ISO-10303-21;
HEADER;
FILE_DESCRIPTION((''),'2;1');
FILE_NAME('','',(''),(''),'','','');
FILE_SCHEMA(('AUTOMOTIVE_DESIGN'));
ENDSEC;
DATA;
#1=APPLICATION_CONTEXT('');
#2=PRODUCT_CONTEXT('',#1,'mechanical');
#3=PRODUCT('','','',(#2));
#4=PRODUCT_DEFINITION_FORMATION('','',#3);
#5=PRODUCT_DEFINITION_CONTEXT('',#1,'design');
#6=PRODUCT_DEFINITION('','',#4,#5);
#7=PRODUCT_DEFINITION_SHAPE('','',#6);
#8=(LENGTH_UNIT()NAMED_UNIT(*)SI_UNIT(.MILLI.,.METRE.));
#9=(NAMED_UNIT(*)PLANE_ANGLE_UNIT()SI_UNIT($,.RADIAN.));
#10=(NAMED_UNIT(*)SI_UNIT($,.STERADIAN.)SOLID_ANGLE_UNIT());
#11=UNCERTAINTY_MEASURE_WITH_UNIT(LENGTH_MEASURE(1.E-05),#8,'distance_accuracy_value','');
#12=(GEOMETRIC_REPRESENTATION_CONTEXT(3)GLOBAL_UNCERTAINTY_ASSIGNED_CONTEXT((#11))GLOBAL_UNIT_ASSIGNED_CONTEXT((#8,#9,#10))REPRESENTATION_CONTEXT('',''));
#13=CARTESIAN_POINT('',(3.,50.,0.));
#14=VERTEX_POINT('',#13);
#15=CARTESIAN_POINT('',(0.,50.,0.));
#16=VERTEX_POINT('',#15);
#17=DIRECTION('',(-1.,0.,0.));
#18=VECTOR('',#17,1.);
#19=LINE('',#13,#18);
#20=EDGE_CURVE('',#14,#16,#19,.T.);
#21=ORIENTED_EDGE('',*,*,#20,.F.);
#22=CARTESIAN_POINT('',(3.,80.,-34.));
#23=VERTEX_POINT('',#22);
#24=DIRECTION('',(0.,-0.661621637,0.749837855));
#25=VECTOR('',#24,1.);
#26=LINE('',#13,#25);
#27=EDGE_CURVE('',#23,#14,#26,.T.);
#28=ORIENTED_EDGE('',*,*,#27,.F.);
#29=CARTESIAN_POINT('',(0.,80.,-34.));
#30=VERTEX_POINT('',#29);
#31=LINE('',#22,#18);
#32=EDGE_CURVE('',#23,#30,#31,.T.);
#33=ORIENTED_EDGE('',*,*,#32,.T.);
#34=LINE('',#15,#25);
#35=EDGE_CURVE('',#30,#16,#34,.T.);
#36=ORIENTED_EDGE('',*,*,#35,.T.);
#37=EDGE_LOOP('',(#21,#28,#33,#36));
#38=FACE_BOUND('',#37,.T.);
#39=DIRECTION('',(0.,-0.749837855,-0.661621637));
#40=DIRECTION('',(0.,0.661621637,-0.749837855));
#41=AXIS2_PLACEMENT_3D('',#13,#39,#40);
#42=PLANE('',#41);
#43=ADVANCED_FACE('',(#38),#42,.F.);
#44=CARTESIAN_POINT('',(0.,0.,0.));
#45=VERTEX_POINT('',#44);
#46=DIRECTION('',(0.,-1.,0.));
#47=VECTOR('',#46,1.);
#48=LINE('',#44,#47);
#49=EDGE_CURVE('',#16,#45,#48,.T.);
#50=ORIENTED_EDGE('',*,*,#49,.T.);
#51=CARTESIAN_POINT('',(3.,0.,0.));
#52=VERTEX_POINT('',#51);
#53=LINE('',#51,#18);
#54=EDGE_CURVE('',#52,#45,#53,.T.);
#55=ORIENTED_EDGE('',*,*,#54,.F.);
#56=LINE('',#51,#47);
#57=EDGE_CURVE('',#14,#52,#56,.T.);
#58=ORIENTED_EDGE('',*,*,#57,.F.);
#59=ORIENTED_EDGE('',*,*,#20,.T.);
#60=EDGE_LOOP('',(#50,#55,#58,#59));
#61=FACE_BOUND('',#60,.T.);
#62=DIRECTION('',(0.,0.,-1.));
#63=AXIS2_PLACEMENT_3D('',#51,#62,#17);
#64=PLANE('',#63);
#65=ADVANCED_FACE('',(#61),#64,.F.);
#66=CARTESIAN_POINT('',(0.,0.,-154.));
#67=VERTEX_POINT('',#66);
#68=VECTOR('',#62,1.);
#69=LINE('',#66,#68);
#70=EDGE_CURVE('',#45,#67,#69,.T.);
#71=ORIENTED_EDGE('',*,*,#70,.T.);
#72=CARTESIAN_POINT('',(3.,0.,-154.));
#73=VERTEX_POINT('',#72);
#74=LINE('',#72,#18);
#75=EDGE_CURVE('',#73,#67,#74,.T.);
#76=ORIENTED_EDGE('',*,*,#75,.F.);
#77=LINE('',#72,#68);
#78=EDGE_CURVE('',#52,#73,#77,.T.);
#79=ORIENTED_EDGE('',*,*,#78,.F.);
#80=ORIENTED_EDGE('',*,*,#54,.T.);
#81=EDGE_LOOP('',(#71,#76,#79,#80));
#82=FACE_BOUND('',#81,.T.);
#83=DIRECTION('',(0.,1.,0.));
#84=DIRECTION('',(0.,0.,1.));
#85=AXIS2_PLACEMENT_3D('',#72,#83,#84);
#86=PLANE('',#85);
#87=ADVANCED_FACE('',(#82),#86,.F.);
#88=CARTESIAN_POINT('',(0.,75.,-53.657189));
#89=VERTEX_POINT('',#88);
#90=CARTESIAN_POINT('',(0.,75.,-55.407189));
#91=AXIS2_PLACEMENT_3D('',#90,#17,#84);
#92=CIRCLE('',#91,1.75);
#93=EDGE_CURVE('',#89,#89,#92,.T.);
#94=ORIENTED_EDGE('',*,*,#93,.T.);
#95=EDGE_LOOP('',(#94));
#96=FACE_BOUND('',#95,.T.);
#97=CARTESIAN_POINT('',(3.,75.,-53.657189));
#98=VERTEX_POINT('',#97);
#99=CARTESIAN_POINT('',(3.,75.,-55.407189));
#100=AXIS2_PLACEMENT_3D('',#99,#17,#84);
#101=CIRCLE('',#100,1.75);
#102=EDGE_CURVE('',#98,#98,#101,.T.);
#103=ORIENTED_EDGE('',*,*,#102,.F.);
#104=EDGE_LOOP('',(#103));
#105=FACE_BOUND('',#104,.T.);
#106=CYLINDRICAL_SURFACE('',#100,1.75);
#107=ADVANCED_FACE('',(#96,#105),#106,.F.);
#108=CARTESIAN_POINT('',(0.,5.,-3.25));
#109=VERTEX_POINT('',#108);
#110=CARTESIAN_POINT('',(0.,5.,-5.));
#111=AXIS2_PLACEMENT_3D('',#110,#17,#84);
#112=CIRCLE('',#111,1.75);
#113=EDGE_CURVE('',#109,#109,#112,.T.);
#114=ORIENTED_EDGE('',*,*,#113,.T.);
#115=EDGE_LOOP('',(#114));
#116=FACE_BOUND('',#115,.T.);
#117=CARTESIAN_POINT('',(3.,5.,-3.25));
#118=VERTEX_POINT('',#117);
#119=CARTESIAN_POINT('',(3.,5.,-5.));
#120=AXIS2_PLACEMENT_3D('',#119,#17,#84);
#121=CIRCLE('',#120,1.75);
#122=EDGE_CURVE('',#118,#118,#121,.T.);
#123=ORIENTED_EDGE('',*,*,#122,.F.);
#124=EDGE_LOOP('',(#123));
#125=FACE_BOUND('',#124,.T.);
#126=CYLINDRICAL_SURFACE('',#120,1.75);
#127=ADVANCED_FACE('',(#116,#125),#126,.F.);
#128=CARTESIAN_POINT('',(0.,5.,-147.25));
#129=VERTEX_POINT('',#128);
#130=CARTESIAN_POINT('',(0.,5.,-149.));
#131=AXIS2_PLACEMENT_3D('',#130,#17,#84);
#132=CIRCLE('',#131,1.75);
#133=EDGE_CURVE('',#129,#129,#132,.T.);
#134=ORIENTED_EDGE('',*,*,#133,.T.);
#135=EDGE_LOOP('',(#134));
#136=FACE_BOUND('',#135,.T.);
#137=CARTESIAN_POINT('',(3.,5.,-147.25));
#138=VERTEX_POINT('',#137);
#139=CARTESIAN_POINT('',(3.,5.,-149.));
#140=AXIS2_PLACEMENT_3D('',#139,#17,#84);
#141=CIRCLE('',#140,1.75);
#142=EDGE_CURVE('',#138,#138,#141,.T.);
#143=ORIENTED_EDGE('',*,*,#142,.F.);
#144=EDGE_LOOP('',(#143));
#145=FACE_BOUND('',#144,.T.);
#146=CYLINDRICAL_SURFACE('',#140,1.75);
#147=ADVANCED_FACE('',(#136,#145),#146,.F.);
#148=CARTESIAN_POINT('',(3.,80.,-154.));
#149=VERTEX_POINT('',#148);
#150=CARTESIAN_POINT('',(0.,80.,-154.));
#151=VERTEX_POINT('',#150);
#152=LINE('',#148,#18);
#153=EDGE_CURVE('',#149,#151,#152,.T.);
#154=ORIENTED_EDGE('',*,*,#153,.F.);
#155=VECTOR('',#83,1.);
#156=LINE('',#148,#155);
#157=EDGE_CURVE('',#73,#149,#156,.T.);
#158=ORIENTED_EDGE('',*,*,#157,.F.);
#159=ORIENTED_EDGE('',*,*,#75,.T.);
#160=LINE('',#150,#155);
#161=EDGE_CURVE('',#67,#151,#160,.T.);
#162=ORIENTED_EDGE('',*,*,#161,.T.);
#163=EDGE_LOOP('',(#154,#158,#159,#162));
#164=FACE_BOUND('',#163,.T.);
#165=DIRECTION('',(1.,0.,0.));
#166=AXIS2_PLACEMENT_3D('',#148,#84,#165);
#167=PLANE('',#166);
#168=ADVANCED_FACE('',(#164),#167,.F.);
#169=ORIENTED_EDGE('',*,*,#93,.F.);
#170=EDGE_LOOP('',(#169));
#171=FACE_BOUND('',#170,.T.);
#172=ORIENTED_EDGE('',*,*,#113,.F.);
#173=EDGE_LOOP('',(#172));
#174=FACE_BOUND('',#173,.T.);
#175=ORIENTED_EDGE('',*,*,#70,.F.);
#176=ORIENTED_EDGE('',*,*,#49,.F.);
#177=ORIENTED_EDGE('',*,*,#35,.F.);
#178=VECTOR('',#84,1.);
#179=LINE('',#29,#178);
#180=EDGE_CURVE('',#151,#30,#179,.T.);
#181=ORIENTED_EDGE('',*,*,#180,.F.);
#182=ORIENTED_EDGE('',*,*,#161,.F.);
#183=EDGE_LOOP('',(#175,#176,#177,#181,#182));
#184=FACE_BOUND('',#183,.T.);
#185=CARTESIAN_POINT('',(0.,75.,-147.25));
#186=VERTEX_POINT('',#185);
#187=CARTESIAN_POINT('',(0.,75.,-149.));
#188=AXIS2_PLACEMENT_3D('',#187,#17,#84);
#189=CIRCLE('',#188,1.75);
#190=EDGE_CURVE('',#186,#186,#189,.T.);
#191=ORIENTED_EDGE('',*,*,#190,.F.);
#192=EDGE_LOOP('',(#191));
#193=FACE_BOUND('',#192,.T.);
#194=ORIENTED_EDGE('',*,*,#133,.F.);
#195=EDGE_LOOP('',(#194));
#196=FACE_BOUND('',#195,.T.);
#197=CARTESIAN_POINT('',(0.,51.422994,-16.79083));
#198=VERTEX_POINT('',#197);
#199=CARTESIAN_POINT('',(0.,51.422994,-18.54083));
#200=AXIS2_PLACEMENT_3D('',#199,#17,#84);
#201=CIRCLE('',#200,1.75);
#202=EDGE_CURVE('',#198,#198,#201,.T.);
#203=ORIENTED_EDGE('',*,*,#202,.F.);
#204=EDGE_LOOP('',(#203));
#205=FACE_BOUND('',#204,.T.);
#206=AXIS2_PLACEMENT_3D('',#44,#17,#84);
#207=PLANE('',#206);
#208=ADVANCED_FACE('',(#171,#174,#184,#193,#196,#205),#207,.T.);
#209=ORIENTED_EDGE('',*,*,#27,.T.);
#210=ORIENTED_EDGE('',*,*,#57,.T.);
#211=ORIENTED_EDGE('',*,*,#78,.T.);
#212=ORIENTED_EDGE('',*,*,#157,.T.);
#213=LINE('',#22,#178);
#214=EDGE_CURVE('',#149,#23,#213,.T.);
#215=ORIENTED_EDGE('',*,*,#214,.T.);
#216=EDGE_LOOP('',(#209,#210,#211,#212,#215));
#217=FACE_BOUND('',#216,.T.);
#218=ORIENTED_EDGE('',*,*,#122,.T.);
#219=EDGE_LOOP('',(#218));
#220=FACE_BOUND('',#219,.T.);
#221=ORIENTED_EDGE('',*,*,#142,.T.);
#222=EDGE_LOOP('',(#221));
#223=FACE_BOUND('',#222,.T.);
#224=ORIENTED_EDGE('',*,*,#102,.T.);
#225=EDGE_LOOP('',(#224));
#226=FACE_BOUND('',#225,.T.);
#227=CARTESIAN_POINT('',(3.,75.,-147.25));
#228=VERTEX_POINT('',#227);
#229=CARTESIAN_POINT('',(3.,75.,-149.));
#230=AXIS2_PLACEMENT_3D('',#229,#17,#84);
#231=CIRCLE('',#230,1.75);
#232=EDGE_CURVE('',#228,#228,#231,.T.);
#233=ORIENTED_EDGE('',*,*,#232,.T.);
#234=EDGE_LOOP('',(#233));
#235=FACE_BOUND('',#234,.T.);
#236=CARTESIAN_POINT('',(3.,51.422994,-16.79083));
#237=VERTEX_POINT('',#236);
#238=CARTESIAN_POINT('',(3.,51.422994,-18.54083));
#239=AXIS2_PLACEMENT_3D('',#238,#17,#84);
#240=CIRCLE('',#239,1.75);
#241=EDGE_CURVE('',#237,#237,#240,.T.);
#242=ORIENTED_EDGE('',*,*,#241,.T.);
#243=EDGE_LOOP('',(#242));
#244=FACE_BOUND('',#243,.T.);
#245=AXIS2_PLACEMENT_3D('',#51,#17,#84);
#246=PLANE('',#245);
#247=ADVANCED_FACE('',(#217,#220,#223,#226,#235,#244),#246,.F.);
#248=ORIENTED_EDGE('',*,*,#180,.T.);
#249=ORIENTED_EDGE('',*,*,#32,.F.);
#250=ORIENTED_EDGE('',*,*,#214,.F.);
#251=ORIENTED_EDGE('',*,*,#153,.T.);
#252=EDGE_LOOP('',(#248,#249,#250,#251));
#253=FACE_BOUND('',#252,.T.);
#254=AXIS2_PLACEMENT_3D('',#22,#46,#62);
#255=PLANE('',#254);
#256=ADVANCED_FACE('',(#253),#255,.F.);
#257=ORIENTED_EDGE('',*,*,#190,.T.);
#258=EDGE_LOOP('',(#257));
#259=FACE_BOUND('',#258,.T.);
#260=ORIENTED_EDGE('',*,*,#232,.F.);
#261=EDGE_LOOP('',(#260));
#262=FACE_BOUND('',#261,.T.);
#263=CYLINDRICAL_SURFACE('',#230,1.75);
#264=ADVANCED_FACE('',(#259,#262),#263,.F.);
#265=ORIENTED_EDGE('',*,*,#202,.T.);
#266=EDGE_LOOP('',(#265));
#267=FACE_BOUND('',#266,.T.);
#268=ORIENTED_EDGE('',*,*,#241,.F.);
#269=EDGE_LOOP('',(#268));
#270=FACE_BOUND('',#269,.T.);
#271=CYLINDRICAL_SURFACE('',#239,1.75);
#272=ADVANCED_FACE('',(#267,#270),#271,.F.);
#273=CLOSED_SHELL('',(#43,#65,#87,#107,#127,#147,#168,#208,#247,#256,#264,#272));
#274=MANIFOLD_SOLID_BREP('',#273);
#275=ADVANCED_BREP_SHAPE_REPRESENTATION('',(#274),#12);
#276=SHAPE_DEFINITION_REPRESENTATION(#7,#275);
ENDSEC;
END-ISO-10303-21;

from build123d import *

# Parameters (mm, degrees)
BOSS_EXTRUDE1_DEPTH = 3
SKETCH2_R           = 1.75
CUT_EXTRUDE1_DEPTH  = 4


with BuildPart() as part:
    # Sketch1 → Boss-Extrude1 (new body)
    with BuildSketch(Plane(origin=(0, 0, 0), x_dir=(0, 0, -1), z_dir=(1, 0, 0))):
        Polygon((0, 0), (0, 50), (34, 80), (154, 80), (154, 0), align=None)
    extrude(amount=BOSS_EXTRUDE1_DEPTH)

    # Sketch2 → Cut-Extrude1 (cut, through all)
    with BuildSketch(Plane.ZY):
        with Locations((-149, 5)):
            Circle(SKETCH2_R)
        with Locations((-149, 75)):
            Circle(SKETCH2_R)
        with Locations((-5, 5)):
            Circle(SKETCH2_R)
        with Locations((-55.407189005, 75)):
            Circle(SKETCH2_R)
        with Locations((-18.540830268, 51.422993608)):
            Circle(SKETCH2_R)
    extrude(amount=-CUT_EXTRUDE1_DEPTH, mode=Mode.SUBTRACT)


solid = part.part
